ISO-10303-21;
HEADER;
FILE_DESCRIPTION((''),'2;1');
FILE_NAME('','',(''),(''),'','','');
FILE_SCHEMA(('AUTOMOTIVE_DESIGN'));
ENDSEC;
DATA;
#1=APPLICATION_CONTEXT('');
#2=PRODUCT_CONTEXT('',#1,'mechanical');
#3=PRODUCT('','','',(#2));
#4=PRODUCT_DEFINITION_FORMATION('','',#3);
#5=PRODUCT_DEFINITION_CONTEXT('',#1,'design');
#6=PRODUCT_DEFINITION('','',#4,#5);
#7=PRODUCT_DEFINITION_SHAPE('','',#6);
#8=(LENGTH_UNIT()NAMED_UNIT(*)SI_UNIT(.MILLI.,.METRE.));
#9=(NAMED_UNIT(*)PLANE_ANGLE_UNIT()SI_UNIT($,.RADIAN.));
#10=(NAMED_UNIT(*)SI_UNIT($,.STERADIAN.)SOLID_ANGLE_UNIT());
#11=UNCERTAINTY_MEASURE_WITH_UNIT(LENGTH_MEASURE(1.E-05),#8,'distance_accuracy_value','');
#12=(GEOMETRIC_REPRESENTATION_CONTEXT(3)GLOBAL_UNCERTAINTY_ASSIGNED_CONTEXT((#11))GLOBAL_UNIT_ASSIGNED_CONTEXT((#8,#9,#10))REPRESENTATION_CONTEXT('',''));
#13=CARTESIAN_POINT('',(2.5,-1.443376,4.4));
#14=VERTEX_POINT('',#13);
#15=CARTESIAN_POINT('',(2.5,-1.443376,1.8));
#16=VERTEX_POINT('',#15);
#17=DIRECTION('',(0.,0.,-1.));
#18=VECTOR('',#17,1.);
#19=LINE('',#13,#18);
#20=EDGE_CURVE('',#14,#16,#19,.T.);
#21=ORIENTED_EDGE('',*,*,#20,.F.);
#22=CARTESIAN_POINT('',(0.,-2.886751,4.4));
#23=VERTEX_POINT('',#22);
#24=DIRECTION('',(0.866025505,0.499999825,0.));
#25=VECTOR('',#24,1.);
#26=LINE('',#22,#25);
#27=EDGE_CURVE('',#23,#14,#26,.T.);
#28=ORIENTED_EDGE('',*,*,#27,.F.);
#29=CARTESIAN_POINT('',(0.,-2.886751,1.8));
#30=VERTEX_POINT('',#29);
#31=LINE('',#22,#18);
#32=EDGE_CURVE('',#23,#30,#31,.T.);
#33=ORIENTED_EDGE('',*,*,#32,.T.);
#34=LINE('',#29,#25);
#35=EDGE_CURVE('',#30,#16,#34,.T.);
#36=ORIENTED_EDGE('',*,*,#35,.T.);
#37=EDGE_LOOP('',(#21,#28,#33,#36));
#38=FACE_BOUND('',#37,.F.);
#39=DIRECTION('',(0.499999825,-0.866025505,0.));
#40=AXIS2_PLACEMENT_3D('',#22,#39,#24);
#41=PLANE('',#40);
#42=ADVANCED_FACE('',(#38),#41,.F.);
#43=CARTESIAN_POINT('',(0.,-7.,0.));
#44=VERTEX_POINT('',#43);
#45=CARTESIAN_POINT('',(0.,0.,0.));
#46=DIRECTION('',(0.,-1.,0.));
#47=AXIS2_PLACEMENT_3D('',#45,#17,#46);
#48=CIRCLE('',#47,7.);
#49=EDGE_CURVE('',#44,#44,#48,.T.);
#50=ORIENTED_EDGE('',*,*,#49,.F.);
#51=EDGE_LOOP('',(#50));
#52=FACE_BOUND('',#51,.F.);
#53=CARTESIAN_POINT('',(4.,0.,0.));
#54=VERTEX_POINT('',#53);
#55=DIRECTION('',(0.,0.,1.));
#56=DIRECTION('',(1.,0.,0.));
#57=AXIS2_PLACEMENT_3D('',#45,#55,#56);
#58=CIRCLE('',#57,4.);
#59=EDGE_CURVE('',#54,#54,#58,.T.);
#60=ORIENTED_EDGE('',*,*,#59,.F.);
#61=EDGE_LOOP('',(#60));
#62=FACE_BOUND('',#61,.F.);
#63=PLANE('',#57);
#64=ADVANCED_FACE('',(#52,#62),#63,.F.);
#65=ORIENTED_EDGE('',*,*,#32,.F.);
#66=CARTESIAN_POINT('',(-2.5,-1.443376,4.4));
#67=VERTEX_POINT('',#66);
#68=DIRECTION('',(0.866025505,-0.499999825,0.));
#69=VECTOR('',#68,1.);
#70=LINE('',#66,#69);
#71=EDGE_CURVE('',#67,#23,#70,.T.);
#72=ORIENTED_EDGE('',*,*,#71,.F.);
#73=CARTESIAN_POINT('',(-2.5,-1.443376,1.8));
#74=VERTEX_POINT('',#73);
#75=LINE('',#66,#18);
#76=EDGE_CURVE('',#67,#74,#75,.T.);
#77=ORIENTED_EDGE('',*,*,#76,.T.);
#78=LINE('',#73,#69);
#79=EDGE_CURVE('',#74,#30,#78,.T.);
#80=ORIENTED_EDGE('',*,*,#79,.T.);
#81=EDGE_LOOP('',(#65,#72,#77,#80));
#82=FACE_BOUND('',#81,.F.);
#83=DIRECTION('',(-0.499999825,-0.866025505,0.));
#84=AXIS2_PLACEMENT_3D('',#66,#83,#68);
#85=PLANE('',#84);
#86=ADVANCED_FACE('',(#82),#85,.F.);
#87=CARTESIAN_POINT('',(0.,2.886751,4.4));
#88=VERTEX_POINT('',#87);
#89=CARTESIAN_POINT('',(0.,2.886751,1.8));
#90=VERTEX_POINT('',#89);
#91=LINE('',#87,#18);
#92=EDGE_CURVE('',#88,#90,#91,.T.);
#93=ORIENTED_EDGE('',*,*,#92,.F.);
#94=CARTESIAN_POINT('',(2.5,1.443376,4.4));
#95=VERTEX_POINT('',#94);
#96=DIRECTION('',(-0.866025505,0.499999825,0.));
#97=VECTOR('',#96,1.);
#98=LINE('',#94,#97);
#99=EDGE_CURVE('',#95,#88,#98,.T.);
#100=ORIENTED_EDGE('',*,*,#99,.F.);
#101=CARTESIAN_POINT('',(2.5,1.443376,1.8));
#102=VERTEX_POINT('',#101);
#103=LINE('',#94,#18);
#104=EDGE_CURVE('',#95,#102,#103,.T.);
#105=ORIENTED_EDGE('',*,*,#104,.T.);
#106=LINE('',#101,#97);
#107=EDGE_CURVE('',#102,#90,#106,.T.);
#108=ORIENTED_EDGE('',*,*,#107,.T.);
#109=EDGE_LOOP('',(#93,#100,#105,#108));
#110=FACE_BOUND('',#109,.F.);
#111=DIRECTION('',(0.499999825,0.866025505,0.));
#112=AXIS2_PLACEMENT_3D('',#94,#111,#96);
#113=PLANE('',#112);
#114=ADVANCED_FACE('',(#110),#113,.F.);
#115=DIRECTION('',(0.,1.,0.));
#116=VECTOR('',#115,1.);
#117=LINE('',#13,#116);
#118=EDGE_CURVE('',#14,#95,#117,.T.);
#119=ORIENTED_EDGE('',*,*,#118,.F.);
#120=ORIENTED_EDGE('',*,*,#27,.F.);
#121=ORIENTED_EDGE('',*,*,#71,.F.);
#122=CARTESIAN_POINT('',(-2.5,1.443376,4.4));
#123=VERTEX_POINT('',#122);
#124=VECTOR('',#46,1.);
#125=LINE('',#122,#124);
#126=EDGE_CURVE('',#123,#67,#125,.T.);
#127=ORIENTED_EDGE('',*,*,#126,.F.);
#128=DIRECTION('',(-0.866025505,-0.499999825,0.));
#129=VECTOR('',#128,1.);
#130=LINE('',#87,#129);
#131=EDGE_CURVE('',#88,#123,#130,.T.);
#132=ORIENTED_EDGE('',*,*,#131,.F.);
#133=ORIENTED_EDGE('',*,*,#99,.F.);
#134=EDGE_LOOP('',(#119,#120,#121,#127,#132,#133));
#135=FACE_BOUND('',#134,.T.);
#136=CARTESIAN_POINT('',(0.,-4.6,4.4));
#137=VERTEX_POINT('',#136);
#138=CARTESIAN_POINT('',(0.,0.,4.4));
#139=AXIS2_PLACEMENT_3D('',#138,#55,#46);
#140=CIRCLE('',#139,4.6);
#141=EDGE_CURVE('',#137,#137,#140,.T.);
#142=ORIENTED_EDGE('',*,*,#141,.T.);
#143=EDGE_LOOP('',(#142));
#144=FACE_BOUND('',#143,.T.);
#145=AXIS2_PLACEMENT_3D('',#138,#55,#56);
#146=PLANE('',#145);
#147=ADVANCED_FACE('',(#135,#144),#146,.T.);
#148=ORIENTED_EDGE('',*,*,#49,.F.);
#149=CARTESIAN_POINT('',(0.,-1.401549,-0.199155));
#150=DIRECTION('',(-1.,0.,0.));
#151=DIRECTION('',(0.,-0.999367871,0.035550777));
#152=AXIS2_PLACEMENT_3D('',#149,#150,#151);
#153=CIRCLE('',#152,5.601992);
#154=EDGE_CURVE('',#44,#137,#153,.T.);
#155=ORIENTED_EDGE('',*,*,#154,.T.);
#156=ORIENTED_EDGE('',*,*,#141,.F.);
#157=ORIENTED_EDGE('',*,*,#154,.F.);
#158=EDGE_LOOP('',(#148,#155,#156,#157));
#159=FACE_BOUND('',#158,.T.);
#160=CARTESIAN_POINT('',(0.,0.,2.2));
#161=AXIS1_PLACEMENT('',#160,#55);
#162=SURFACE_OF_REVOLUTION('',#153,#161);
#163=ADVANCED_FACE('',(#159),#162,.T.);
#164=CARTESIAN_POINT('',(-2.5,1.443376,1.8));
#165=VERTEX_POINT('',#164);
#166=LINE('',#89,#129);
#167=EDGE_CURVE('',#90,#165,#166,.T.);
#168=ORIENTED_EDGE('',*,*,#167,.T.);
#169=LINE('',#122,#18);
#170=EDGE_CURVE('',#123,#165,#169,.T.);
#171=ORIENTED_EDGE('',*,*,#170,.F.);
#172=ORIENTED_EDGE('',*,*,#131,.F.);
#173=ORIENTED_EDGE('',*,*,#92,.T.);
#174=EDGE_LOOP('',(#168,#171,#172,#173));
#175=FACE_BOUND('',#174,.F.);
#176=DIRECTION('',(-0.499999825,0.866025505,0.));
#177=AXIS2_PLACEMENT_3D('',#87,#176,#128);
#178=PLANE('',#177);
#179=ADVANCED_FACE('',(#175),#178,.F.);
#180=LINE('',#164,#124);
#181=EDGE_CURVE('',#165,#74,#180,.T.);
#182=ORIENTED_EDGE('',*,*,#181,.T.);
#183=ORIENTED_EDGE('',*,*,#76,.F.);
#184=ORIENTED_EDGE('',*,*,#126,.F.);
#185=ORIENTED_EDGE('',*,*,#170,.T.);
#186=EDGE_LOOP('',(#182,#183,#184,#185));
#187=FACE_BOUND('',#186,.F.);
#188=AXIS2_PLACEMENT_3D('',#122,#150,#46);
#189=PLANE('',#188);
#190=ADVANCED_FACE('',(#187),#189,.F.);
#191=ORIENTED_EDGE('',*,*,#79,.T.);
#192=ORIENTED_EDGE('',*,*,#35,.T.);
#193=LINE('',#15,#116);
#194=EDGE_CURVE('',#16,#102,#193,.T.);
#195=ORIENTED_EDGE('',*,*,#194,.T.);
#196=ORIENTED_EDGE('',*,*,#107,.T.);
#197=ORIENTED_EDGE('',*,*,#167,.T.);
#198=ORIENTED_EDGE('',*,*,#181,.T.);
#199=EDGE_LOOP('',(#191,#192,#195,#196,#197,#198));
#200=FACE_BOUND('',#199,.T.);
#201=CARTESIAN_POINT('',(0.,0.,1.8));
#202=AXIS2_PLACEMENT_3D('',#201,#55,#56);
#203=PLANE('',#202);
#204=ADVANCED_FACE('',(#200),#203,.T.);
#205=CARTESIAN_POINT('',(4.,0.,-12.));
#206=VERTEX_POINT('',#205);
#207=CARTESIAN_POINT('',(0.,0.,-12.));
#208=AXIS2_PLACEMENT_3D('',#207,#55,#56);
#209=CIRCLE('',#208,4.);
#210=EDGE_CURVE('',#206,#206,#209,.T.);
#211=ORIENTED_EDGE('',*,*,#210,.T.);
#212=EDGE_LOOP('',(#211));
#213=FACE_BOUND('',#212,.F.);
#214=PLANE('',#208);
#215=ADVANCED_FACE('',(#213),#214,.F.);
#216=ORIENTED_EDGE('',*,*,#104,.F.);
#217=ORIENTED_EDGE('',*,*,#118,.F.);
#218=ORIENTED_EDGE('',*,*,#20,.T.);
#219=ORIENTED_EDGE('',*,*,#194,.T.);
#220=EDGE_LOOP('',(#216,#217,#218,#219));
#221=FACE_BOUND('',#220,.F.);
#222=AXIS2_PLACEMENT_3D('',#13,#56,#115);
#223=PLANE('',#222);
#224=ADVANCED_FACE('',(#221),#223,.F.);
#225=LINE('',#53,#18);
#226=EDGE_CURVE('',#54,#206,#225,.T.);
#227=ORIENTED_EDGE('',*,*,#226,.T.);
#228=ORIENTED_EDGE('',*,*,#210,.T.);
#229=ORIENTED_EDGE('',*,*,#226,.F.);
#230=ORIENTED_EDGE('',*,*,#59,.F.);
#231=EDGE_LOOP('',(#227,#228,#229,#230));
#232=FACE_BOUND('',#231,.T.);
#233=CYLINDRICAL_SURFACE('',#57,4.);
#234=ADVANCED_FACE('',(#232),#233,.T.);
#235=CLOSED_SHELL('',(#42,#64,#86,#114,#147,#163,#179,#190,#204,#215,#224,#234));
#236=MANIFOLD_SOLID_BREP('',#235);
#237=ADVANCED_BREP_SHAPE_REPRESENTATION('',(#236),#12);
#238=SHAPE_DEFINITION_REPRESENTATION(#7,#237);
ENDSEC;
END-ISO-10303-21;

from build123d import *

# Parameters (mm, degrees)
F0_R     = 7
F1_DEPTH = 4.4
F3_DEPTH = 2.6
F6_R     = 4
F7_DEPTH = 12


with BuildPart() as f1:
    # F0 (on Top) → F1 (new body)
    with BuildSketch(Plane.XY):
        Circle(F0_R)
    extrude(amount=F1_DEPTH)

    # F2 (on face) → F3 (cut)
    with BuildSketch(Plane.XY.offset(4.4)):
        Polygon((2.5, -1.443376), (2.5, 1.443376), (0, 2.886751), (-2.5, 1.443376), (-2.5, -1.443376), (0, -2.886751), align=None)
    extrude(amount=-F3_DEPTH, mode=Mode.SUBTRACT)

    # F4 (on Right) → F5 (revolve, cut)
    with BuildSketch(Plane.YZ):
        with BuildLine():
            Line((-7, 4.4), (-7, 0))
            ThreePointArc((-7, 0), (-6.319513, 2.483371), (-4.6, 4.4))
            Line((-4.6, 4.4), (-7, 4.4))
        make_face()
    revolve(axis=Axis((0, 0, 2.2), (0, 0, 1)), mode=Mode.SUBTRACT)

    # F6 (on Top) → F7 (join)
    with BuildSketch(Plane.XY):
        Circle(F6_R)
    extrude(amount=-F7_DEPTH)


solid = f1.part
